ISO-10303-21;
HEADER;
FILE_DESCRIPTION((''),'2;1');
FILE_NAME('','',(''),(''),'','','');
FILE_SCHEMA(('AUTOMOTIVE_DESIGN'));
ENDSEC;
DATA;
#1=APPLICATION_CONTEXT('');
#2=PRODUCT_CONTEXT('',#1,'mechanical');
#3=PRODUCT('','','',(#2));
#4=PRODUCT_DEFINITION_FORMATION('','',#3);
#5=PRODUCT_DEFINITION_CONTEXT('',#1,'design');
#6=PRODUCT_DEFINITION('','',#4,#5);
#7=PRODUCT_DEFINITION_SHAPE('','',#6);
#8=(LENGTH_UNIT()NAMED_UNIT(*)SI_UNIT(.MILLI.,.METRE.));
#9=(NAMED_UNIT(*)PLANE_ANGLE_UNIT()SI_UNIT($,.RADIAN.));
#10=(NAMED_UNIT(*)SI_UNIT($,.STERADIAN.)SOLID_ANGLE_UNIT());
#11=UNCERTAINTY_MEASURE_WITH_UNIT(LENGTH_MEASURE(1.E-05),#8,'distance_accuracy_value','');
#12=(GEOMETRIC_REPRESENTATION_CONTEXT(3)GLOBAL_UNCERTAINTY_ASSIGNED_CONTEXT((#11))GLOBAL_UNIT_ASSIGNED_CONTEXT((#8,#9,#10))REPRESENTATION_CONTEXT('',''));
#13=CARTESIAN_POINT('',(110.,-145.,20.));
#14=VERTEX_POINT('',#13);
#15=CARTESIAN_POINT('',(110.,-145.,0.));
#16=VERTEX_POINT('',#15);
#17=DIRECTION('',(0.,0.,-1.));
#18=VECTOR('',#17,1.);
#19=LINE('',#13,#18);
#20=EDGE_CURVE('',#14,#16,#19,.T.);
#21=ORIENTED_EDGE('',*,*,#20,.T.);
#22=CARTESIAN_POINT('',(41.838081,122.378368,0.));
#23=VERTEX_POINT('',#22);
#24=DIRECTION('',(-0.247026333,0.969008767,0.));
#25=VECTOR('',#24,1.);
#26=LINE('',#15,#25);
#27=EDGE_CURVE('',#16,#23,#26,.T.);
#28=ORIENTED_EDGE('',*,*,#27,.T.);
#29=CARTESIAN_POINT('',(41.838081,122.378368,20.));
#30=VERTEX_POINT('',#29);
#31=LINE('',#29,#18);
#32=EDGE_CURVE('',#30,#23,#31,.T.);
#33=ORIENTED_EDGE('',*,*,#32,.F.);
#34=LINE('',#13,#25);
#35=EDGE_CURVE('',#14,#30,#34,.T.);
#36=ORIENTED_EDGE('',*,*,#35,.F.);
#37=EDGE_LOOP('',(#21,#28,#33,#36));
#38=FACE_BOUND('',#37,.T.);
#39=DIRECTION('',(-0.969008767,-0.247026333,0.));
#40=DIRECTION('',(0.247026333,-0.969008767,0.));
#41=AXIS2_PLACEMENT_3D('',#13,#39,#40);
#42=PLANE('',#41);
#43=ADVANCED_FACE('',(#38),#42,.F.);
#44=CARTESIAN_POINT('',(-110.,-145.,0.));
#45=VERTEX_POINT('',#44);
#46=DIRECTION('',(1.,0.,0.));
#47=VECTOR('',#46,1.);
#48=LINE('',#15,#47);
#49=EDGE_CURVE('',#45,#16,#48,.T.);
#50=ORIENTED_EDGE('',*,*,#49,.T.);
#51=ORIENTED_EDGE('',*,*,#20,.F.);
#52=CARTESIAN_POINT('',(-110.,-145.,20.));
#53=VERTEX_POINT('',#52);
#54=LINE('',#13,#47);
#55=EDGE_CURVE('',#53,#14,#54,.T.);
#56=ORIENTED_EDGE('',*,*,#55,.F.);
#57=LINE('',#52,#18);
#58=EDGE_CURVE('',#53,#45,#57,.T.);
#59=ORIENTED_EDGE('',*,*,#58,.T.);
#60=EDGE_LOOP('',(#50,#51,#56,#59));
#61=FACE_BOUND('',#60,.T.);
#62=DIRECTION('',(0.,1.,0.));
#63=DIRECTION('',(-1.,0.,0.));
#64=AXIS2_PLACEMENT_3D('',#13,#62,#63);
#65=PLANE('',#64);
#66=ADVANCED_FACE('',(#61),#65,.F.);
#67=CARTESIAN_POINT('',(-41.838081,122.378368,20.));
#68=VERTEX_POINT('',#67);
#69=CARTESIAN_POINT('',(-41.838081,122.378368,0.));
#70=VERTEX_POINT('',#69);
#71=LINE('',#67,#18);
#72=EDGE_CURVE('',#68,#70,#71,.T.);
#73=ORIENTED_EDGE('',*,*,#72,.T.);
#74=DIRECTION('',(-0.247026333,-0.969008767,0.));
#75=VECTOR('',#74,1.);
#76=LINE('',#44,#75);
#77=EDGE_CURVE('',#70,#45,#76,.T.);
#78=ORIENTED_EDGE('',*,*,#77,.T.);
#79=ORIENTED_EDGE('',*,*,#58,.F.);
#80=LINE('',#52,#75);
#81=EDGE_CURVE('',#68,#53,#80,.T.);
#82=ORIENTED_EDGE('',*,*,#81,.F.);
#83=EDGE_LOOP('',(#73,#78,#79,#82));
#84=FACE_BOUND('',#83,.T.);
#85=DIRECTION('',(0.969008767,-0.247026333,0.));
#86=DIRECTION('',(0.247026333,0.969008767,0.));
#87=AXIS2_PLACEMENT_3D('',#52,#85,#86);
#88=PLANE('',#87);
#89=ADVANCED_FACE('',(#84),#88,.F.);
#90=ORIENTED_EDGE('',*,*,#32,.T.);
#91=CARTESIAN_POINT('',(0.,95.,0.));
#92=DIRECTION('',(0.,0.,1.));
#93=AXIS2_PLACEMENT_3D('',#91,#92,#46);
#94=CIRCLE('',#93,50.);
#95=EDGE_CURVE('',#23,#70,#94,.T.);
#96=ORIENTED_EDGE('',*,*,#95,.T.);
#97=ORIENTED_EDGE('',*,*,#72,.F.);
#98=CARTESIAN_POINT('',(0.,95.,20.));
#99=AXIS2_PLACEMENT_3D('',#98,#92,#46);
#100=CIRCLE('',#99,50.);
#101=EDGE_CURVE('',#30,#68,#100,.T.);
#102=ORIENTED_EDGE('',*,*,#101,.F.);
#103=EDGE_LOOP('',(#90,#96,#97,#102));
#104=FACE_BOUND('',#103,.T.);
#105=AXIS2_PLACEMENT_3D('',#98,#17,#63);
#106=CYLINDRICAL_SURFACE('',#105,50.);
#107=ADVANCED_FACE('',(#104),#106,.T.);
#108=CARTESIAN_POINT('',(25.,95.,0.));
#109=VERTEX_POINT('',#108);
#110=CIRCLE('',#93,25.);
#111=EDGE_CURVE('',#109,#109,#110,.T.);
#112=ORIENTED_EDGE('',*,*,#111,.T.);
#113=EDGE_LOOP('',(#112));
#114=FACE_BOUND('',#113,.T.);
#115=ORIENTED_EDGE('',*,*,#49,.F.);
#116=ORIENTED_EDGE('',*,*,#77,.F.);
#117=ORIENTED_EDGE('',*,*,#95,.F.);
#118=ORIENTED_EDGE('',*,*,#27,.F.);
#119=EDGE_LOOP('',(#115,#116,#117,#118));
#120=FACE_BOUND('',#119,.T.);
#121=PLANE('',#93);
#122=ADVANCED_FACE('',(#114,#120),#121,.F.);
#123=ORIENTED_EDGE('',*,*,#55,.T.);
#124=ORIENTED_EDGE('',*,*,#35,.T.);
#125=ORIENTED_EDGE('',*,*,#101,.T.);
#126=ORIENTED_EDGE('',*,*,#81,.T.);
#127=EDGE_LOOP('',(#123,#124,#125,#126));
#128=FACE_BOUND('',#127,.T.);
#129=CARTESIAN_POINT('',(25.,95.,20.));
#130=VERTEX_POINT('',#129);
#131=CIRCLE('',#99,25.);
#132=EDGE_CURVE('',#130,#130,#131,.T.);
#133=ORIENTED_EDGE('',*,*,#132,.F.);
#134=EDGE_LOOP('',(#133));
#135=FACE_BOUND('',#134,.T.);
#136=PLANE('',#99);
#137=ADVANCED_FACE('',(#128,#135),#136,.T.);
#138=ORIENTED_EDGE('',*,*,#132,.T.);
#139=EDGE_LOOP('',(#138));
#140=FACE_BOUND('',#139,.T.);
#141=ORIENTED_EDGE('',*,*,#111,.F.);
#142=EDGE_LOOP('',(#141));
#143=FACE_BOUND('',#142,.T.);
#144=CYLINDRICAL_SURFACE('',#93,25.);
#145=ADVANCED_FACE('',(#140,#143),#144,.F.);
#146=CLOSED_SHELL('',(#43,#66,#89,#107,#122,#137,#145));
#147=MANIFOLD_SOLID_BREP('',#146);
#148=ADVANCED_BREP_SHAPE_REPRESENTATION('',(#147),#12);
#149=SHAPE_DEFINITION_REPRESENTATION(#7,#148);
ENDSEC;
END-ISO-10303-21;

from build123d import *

# Parameters (mm, degrees)
BOSS_EXTRUDE1_DEPTH = 20
SKETCH3_R           = 25
CUT_EXTRUDE1_DEPTH  = 20


with BuildPart() as part:
    # Sketch2 → Boss-Extrude1 (new body)
    with BuildSketch(Plane.XY):
        with BuildLine():
            Line((110, -145), (-110, -145))
            Line((-110, -145), (-41.838080506, 122.37836773))
            ThreePointArc((-41.838080506, 122.37836773), (0, 145), (41.838080506, 122.37836773))
            Line((41.838080506, 122.37836773), (110, -145))
        make_face()
    extrude(amount=BOSS_EXTRUDE1_DEPTH)

    # Sketch3 → Cut-Extrude1 (cut)
    with BuildSketch(Plane.XY.offset(20)):
        with Locations((0, 95)):
            Circle(SKETCH3_R)
    extrude(amount=-CUT_EXTRUDE1_DEPTH, mode=Mode.SUBTRACT)


solid = part.part
